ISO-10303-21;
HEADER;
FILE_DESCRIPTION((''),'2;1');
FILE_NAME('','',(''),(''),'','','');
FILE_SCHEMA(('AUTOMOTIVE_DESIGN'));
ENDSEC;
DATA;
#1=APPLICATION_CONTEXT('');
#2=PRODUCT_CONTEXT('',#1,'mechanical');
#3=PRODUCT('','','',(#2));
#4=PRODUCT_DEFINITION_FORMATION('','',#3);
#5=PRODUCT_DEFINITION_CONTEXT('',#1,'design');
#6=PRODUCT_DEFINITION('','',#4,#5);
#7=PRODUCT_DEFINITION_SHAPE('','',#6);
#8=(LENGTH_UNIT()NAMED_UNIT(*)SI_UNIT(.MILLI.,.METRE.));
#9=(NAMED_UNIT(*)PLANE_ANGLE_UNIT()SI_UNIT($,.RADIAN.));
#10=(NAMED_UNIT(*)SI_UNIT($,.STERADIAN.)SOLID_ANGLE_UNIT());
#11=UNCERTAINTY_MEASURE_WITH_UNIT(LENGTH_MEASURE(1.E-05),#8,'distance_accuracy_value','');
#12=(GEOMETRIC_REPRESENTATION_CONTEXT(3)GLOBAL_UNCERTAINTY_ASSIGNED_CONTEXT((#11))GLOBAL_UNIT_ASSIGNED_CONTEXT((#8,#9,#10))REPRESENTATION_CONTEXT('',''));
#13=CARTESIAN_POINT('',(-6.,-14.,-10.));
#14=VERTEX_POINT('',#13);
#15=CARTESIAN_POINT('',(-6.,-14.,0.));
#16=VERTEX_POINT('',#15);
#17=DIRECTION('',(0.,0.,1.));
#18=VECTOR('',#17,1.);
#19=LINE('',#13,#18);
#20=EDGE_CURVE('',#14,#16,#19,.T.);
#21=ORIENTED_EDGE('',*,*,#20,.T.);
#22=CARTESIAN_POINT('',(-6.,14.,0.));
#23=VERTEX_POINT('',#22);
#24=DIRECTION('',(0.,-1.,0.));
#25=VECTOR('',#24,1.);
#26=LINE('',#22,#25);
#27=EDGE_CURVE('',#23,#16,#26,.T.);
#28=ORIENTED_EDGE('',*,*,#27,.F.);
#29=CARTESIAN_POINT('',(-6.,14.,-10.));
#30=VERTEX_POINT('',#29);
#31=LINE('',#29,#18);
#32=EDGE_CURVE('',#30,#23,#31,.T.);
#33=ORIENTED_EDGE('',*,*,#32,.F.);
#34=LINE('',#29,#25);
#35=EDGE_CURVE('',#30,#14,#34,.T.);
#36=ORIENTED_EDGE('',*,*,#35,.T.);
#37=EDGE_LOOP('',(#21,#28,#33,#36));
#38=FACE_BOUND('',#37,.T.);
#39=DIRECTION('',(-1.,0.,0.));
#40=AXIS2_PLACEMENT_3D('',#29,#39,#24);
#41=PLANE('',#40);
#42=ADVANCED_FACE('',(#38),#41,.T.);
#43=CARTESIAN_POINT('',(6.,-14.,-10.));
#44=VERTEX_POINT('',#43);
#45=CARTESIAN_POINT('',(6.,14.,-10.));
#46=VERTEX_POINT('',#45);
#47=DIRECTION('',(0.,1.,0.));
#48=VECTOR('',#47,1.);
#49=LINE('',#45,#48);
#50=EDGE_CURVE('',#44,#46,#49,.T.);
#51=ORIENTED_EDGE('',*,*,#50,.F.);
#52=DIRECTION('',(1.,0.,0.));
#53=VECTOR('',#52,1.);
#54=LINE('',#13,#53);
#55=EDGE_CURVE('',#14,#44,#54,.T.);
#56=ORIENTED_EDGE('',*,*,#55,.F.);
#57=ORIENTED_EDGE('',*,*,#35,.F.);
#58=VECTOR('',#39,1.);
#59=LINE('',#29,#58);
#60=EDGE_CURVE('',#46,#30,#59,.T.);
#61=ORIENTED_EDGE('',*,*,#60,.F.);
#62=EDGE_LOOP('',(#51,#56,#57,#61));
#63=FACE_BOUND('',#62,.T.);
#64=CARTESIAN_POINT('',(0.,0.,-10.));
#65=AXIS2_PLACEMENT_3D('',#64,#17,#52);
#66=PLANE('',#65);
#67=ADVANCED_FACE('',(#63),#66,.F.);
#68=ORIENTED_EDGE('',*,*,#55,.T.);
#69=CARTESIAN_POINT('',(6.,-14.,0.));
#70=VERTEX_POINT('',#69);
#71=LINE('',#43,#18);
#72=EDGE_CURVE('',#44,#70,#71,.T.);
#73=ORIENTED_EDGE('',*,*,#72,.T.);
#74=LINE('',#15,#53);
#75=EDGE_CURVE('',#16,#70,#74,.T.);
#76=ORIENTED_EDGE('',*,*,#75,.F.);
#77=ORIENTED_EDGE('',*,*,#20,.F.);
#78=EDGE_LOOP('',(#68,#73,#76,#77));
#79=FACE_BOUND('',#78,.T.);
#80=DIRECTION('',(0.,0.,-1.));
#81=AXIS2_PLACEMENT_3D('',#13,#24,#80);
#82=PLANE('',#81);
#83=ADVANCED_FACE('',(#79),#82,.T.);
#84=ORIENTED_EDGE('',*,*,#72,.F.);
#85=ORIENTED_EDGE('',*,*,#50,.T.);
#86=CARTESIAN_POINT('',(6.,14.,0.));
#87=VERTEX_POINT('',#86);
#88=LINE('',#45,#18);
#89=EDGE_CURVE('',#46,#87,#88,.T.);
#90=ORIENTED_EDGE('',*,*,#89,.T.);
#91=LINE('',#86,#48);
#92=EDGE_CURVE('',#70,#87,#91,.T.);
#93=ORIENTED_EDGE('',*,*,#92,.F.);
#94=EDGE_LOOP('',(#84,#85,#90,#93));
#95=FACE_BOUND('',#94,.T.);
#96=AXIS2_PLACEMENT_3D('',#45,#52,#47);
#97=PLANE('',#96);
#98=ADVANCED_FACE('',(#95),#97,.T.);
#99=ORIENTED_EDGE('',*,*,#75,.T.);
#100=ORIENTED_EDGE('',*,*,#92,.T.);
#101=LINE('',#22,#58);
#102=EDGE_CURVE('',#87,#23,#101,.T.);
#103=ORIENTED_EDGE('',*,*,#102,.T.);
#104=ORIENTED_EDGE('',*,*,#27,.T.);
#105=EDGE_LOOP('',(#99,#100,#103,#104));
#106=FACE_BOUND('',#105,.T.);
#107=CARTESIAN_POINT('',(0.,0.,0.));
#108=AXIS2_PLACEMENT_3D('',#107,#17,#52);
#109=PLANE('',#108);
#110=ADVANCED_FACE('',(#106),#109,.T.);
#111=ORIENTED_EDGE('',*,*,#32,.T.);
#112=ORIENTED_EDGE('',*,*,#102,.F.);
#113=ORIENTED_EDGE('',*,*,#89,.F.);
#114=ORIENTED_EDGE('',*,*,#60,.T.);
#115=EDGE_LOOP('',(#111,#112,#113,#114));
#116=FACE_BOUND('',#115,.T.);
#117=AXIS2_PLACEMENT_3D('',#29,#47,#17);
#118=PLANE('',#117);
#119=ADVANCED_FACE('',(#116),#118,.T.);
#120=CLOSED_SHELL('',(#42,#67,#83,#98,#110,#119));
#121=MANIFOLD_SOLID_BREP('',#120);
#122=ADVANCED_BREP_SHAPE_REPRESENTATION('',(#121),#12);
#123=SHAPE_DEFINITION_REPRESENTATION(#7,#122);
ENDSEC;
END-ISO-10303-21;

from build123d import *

# Parameters (mm, degrees)
SKETCH1_W           = 12
SKETCH1_H           = 28
BOSS_EXTRUDE1_DEPTH = 10


with BuildPart() as part:
    # Sketch1 → Boss-Extrude1 (new body)
    with BuildSketch(Plane.XY):
        Rectangle(SKETCH1_W, SKETCH1_H)
    extrude(amount=-BOSS_EXTRUDE1_DEPTH)


solid = part.part
